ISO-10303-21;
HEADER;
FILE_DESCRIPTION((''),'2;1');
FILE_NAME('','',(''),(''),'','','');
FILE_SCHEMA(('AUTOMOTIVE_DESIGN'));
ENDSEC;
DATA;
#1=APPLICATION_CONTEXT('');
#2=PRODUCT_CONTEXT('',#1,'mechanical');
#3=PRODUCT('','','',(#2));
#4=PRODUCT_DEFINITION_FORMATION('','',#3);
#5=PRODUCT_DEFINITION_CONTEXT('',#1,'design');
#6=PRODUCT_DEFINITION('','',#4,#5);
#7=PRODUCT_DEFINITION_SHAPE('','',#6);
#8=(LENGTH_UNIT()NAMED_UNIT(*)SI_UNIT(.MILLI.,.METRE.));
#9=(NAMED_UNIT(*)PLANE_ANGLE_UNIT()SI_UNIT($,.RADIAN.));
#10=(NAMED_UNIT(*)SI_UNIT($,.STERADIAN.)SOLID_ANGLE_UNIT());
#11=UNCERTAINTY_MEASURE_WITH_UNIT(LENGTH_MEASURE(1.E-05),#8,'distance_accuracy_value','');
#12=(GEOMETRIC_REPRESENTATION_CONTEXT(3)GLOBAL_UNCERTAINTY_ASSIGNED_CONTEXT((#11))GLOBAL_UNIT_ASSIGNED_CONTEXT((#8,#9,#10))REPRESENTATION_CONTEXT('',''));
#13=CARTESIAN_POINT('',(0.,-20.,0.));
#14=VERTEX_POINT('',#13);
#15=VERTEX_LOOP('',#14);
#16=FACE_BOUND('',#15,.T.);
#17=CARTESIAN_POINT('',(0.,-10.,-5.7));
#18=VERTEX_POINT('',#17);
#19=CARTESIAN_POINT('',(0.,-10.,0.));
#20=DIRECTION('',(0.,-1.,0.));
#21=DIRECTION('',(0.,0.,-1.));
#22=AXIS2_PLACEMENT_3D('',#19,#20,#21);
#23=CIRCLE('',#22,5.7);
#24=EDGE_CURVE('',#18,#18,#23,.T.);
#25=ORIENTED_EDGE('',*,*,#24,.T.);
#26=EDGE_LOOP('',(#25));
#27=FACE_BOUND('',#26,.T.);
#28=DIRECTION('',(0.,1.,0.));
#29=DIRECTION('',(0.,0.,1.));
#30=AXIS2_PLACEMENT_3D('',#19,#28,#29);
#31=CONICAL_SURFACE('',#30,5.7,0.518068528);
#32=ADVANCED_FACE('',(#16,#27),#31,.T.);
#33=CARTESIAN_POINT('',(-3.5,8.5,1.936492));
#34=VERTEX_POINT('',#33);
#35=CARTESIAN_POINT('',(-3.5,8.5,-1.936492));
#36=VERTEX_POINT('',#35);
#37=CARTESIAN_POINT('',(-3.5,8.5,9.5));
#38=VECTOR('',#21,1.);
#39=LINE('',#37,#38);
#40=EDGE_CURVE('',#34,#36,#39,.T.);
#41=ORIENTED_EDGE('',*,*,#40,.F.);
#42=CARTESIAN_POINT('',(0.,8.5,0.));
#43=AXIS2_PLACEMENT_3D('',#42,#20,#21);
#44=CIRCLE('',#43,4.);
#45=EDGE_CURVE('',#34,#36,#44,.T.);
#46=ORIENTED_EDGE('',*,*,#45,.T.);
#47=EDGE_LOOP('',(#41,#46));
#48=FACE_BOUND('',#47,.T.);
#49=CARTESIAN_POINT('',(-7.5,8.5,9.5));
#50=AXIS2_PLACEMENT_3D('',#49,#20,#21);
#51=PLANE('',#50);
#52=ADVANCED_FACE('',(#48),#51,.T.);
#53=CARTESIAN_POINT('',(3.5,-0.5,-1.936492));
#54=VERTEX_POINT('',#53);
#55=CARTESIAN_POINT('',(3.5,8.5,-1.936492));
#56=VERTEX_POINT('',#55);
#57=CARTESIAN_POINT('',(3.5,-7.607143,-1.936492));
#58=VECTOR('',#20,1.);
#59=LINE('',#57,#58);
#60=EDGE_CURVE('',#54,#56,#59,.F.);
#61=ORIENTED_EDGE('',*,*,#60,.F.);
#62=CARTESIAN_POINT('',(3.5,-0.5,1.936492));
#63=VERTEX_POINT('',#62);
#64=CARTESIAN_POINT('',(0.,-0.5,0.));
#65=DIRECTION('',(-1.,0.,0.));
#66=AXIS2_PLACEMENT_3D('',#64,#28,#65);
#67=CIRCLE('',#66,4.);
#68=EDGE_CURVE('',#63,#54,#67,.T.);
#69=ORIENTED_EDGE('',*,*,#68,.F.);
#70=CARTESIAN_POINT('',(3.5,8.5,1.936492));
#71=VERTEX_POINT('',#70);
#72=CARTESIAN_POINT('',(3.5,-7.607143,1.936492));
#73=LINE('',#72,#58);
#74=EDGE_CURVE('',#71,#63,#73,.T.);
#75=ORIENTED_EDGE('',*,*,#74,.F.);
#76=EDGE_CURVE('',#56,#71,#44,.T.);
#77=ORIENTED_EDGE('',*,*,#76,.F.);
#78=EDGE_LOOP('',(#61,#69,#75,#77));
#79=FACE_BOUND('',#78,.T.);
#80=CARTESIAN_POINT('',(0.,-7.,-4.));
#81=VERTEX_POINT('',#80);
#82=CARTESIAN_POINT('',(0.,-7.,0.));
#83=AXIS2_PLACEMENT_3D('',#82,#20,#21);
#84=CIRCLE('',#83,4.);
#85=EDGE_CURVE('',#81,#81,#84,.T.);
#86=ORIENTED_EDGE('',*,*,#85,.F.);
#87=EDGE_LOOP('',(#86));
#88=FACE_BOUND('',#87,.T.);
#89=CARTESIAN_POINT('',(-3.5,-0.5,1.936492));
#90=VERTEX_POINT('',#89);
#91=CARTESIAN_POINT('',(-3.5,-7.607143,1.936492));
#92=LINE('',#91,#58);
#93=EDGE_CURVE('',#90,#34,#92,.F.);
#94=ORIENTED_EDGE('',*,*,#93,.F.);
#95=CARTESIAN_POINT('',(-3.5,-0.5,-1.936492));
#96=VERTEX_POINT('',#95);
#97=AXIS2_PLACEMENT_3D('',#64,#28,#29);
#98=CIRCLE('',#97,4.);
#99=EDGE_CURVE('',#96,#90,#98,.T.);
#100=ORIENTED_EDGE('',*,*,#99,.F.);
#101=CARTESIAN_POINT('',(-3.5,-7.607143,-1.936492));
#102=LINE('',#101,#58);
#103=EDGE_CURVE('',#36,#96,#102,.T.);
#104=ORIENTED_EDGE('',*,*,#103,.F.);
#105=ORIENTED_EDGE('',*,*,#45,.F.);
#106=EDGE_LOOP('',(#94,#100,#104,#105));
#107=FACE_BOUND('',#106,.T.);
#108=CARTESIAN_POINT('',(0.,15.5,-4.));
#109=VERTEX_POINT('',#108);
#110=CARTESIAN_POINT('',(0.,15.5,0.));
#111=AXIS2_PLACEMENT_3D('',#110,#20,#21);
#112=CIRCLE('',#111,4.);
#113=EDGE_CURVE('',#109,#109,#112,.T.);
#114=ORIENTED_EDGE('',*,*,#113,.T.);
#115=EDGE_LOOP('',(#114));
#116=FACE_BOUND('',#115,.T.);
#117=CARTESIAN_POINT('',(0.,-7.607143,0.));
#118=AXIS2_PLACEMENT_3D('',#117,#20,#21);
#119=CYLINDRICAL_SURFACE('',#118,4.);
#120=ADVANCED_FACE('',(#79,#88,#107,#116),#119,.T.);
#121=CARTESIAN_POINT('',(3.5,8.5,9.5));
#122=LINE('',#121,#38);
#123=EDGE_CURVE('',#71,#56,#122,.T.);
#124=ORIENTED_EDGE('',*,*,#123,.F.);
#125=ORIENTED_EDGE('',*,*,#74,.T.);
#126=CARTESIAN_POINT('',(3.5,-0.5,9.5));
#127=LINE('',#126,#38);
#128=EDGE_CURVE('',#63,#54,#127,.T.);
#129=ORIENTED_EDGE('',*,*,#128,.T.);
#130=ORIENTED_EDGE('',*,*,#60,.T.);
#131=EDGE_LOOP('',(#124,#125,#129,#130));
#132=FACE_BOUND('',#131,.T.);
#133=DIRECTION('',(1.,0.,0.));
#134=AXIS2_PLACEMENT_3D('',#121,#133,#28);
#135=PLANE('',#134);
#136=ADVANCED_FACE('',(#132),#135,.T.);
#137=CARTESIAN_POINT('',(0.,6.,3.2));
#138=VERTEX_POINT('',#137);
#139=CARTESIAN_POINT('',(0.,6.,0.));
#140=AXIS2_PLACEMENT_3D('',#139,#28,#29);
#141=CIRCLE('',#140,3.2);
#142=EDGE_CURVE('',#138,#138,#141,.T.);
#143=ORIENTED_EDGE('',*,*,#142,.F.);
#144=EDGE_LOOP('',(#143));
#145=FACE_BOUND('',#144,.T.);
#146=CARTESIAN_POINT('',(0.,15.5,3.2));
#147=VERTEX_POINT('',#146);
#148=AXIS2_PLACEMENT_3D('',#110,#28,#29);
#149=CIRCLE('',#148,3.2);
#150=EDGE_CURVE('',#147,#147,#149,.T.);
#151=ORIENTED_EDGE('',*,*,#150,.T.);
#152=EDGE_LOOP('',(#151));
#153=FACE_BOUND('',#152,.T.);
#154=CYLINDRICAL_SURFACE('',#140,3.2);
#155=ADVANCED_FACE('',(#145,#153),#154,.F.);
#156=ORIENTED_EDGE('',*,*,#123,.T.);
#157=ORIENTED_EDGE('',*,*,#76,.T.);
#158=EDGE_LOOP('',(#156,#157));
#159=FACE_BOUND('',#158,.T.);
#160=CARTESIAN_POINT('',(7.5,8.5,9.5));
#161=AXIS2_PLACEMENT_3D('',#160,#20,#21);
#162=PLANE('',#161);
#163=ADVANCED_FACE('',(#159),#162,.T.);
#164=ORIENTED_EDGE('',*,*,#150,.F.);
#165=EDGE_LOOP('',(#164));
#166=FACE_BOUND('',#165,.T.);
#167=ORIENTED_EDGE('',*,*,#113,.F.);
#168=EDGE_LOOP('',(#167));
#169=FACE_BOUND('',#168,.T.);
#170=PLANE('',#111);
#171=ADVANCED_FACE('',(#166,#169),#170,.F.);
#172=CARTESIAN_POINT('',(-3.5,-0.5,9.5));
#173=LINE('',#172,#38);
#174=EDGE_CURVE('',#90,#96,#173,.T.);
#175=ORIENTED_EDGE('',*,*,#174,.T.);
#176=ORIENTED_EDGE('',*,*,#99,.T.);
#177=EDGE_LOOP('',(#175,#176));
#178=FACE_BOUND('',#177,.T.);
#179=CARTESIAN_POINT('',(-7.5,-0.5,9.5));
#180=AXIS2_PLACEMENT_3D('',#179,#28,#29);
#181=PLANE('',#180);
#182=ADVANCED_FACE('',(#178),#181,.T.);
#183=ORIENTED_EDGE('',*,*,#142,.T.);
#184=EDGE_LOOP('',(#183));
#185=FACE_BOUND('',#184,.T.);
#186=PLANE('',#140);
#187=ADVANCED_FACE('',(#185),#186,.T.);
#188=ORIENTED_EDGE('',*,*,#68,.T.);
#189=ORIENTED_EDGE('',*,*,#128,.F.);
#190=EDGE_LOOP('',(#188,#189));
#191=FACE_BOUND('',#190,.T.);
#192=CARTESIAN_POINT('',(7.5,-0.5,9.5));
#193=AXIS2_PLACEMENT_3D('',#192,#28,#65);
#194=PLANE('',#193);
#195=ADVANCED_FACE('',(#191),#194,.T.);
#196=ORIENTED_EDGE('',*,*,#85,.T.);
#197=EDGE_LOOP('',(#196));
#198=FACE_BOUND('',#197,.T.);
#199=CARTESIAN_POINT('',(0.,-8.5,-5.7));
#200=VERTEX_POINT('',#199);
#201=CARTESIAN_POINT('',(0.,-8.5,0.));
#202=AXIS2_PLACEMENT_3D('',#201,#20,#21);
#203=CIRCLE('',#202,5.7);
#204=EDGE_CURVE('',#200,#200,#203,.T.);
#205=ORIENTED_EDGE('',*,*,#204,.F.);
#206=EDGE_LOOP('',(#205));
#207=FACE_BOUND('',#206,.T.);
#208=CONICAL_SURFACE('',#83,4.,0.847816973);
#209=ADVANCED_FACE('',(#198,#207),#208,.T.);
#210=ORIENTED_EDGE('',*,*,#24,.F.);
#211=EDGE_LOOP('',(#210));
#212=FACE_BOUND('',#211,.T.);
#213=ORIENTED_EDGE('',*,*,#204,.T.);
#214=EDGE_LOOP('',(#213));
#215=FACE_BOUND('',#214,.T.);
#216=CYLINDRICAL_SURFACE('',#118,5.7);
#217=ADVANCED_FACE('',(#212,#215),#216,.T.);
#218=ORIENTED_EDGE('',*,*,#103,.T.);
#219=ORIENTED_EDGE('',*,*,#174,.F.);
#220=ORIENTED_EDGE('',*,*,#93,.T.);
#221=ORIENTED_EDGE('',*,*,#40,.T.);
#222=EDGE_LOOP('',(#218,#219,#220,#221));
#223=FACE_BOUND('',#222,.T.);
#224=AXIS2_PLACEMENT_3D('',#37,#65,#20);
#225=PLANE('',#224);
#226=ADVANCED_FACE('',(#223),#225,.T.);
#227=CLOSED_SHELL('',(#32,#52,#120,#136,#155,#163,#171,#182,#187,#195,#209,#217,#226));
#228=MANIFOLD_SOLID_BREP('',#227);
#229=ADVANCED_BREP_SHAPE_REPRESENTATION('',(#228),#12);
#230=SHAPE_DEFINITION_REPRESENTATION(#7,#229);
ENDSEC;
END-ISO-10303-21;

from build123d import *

# Parameters (mm, degrees)
SKETCH2_R               = 3.2
CUT_EXTRUDE1_DEPTH      = 9.5
CUT_EXTRUDE2_DEPTH      = 9.5
CUT_EXTRUDE2_DEPTH_BACK = 9.5
SKETCH3_W               = 4
SKETCH3_H               = 9


with BuildPart() as part:
    # Sketch1 → Revolve1 (revolve)
    with BuildSketch(Plane.XY):
        Polygon((0, -7.607142857), (0, 15.5), (-4, 15.5), (-4, -7), (-5.7, -8.5), (-5.7, -10), (0, -20), align=None)
    revolve(axis=Axis((0, -7.607142857, 0), (0, 1, 0)))

    # Sketch2 → Cut-Extrude1 (cut)
    with BuildSketch(Plane(origin=(0, 15.5, 0), x_dir=(1, 0, 0), z_dir=(0, 1, 0))):
        Circle(SKETCH2_R)
    extrude(amount=-CUT_EXTRUDE1_DEPTH, mode=Mode.SUBTRACT)

    # Sketch3 → Cut-Extrude2 (cut, two sides: drawn at the far end of the back side and taken through both)
    with BuildSketch(Plane.XY.offset(-CUT_EXTRUDE2_DEPTH_BACK)):
        with Locations((-5.5, 4)):
            Rectangle(SKETCH3_W, SKETCH3_H)
        with Locations((5.5, 4)):
            Rectangle(SKETCH3_W, SKETCH3_H)
    extrude(amount=CUT_EXTRUDE2_DEPTH + CUT_EXTRUDE2_DEPTH_BACK, mode=Mode.SUBTRACT)


solid = part.part
